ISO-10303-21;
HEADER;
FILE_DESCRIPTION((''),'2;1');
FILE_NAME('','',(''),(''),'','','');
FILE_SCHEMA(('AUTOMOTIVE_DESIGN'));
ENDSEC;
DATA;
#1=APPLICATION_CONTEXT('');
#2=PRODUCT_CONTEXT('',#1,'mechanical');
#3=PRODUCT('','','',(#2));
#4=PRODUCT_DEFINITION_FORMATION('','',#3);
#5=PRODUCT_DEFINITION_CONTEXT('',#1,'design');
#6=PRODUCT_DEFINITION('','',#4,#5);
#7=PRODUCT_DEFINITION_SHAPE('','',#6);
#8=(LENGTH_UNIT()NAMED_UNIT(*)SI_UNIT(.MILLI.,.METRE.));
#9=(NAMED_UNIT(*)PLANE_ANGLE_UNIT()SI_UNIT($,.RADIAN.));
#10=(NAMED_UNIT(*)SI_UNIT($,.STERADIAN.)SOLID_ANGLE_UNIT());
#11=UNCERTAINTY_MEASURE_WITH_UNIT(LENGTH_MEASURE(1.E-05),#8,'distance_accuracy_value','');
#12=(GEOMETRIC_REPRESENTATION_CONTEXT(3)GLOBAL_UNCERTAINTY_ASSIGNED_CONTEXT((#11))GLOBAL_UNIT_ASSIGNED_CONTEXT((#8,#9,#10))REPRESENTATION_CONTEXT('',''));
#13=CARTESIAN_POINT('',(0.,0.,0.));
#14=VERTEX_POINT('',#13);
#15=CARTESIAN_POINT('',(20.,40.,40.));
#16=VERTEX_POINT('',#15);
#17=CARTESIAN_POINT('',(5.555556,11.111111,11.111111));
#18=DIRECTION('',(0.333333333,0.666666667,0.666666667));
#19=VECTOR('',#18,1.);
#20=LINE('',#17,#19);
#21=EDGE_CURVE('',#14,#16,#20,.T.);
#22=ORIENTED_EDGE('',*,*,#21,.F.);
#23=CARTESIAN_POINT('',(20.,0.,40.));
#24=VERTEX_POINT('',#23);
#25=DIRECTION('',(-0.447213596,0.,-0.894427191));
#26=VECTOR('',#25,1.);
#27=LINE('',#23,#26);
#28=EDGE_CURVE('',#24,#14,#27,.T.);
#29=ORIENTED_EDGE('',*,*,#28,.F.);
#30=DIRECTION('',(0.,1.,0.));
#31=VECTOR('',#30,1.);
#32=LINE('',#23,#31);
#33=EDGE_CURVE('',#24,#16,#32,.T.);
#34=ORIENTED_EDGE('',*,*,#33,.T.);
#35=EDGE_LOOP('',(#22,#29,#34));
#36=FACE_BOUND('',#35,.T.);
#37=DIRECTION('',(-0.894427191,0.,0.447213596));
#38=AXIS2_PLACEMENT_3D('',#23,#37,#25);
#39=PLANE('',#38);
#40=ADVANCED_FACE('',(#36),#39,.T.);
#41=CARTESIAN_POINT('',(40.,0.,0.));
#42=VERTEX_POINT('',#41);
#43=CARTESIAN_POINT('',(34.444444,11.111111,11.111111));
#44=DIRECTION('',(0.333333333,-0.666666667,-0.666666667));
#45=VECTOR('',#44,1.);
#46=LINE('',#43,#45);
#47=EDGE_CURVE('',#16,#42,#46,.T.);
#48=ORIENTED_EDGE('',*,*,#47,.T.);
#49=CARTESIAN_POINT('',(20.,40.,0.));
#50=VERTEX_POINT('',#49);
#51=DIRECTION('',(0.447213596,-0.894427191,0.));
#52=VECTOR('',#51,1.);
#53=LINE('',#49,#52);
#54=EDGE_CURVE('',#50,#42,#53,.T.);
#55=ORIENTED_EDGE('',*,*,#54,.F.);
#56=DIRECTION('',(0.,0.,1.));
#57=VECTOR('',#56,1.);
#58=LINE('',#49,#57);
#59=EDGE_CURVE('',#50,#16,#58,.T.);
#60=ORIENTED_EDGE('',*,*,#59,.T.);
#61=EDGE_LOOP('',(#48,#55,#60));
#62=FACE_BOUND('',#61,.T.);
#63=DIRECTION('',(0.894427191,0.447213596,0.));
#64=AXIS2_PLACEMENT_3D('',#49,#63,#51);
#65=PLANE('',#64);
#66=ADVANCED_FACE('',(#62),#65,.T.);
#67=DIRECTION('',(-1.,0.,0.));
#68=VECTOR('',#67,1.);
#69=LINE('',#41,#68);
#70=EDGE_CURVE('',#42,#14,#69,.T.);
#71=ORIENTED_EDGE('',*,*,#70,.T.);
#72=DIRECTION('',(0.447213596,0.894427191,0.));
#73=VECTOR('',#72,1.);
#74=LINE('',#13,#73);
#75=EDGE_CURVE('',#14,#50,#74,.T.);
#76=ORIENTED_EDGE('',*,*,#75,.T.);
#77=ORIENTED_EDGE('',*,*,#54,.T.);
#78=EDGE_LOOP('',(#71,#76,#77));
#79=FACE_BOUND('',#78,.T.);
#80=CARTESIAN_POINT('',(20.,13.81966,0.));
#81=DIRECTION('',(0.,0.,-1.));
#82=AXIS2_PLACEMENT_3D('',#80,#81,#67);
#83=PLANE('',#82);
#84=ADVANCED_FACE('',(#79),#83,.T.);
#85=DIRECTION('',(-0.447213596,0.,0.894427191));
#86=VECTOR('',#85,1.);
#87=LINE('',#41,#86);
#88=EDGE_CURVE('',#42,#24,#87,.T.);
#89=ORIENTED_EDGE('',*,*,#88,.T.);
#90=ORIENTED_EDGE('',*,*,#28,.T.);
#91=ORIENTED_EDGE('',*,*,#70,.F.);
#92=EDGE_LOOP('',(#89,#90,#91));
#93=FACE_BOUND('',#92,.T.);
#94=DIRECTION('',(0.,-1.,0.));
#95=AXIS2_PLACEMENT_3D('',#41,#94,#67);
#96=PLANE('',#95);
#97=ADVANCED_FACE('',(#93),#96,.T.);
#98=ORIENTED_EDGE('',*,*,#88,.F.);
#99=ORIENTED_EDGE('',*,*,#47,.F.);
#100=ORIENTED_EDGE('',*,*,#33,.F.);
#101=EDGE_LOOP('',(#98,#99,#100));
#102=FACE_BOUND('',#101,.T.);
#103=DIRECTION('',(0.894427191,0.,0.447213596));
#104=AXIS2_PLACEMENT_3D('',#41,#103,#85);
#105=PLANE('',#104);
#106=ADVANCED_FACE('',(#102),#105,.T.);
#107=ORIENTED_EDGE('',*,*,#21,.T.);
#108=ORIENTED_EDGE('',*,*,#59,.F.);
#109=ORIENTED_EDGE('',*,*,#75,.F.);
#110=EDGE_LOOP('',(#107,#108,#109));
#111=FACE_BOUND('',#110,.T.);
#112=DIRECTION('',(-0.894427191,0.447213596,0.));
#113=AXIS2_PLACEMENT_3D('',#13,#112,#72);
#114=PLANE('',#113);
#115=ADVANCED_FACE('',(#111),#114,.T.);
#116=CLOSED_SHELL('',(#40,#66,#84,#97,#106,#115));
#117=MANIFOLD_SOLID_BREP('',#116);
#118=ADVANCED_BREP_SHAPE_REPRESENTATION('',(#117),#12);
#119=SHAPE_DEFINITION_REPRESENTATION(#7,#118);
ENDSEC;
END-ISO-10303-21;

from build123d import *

# Parameters (mm, degrees)
BOSS_EXTRUDE1_DEPTH = 40
CUT_EXTRUDE1_DEPTH  = 40


with BuildPart() as part:
    # Sketch1 → Boss-Extrude1 (new body)
    with BuildSketch(Plane.XY):
        Polygon((0, 0), (20, 40), (40, 0), align=None)
    extrude(amount=BOSS_EXTRUDE1_DEPTH)

    # Sketch2 → Cut-Extrude1 (cut)
    with BuildSketch(Plane(origin=(0, 0, 0), x_dir=(1, 0, 0), z_dir=(0, 1, 0))):
        Polygon((20, -40), (0, 0), (0, -40), align=None)
        Polygon((40, 0), (20, -40), (40, -40), align=None)
    extrude(amount=CUT_EXTRUDE1_DEPTH, mode=Mode.SUBTRACT)


solid = part.part
